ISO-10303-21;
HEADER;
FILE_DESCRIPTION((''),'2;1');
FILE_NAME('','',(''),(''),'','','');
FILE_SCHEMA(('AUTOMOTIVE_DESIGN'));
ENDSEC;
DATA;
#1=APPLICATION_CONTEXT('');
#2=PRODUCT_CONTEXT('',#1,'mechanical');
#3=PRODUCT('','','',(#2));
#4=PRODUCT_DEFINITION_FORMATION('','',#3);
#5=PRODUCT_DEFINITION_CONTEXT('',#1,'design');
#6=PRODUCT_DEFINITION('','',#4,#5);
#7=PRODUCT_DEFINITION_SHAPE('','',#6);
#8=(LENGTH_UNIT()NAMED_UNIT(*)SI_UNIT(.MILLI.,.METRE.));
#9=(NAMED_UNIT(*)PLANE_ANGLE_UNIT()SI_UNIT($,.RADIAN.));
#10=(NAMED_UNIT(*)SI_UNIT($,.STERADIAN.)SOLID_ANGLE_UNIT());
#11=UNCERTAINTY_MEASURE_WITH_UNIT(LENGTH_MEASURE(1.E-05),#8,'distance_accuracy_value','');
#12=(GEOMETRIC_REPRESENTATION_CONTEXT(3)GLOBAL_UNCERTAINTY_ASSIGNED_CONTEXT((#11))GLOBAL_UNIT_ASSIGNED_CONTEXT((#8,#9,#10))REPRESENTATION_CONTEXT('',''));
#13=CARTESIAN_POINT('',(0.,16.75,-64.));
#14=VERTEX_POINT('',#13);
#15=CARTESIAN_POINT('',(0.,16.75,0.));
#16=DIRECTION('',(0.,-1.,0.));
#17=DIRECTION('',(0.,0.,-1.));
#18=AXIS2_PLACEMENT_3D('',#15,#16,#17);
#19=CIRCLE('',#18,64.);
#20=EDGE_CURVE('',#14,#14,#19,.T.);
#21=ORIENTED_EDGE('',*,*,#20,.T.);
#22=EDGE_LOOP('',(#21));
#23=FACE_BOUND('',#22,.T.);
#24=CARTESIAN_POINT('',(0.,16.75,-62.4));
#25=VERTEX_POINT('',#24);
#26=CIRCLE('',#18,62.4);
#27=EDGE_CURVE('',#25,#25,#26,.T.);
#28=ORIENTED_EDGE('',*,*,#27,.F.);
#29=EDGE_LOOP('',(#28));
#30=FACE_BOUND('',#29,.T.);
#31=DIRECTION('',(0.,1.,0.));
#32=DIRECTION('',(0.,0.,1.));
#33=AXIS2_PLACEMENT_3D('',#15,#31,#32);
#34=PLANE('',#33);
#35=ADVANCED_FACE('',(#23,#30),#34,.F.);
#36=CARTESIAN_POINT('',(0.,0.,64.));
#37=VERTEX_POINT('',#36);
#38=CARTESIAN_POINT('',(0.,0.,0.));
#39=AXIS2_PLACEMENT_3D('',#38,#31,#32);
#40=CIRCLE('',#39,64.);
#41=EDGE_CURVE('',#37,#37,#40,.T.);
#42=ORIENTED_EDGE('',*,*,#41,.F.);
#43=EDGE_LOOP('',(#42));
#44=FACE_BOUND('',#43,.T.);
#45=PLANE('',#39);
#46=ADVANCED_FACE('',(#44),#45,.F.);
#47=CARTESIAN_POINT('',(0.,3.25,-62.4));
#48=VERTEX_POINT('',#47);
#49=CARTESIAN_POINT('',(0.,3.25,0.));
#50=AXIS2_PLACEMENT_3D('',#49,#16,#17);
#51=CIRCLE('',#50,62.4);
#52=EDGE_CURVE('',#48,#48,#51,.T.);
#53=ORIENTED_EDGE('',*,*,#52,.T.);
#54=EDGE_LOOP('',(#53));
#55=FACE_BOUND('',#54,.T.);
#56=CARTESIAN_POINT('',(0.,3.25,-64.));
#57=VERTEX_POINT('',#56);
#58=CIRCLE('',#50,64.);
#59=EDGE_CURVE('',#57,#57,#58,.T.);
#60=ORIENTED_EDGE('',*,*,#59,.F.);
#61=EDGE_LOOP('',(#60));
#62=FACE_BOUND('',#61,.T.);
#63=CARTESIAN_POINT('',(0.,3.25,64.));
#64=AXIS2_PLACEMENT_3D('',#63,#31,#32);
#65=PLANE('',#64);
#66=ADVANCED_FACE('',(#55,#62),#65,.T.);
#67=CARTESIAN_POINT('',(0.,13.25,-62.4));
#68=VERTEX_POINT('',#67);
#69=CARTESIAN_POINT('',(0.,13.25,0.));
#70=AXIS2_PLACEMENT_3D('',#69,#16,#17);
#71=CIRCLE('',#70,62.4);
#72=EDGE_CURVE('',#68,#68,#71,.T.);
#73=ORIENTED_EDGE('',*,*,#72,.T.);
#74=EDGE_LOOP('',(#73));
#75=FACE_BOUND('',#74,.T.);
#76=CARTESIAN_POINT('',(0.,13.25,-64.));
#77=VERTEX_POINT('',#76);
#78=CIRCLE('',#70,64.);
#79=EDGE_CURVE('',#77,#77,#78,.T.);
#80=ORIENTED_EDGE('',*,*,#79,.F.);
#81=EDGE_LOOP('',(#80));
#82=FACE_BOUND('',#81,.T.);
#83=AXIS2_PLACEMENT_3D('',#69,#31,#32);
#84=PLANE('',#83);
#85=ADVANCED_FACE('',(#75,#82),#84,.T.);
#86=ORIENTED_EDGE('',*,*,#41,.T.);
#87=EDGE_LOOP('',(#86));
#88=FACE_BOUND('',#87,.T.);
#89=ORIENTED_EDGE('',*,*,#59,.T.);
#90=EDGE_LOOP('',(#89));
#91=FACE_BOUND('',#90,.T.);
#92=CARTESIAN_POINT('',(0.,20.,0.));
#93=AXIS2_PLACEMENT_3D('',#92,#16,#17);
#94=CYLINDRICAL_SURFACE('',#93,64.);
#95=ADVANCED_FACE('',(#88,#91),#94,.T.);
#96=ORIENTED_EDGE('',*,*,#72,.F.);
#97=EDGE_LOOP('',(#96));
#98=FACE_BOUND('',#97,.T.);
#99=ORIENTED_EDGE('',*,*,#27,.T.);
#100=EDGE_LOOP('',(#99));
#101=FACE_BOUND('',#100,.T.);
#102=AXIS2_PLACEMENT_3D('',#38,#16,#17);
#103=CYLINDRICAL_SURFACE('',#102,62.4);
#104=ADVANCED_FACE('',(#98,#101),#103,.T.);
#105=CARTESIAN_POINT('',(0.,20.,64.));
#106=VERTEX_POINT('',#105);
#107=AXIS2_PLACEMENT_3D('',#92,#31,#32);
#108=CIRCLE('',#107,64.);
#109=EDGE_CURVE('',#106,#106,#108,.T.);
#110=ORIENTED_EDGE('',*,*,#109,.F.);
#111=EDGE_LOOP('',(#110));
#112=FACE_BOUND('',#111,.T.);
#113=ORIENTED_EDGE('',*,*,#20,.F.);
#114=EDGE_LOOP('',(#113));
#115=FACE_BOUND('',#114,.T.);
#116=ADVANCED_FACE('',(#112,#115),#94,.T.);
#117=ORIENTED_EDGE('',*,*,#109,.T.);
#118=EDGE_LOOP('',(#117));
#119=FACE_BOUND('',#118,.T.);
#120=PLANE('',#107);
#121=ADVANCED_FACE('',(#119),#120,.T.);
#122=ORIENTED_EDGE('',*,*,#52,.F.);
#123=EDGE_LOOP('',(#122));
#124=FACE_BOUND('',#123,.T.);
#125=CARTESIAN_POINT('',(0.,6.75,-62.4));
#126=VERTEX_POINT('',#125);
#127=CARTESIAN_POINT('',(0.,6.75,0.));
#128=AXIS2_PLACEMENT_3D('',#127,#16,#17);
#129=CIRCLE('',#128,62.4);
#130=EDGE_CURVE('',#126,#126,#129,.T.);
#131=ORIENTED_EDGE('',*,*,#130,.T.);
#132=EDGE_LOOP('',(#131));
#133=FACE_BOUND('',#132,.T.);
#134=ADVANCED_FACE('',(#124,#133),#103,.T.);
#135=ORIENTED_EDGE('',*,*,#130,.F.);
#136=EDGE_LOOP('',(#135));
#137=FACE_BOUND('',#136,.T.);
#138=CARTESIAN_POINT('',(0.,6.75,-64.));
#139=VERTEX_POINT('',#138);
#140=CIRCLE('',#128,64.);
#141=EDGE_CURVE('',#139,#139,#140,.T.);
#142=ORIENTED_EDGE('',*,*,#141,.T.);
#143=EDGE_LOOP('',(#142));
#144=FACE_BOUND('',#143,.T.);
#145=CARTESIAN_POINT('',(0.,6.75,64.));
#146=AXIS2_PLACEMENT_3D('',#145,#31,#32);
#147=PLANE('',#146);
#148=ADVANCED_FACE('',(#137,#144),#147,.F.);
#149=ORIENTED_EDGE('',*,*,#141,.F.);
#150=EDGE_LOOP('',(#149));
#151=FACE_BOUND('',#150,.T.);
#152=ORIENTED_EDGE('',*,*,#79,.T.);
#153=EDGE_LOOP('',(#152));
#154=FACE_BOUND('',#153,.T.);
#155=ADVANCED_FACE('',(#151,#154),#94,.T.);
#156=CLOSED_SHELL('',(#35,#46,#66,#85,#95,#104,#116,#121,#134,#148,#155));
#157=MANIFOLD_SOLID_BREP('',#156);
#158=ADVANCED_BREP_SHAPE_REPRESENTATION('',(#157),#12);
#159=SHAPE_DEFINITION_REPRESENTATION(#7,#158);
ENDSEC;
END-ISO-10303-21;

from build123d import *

# Parameters (mm, degrees)
SZKIC1_R                    = 64
DODANIE_WYCI_GNI_CIE1_DEPTH = 20
SZKIC3_W                    = 1.6
SZKIC3_H                    = 3.5


with BuildPart() as part:
    # Szkic1 → Dodanie-wyciągnięcie1 (new body)
    with BuildSketch(Plane(origin=(0, 0, 0), x_dir=(1, 0, 0), z_dir=(0, 1, 0))):
        with Locations(Location((0, 0, 0), (0, 0, 270))):
            Circle(SZKIC1_R)
    extrude(amount=DODANIE_WYCI_GNI_CIE1_DEPTH)

    # Szkic3 → Wycięcie-obrót1 (revolve, cut)
    with BuildSketch(Plane(origin=(0, 0, 0), x_dir=(0, 0, -1), z_dir=(1, 0, 0)), mode=Mode.PRIVATE) as wyci_cie_obr_t1_sk:
        with Locations((-63.2, 15)):
            Rectangle(SZKIC3_W, SZKIC3_H)
        with Locations((-63.2, 5)):
            Rectangle(SZKIC3_W, SZKIC3_H)
    revolve(wyci_cie_obr_t1_sk.sketch.rotate(Axis((0, 0, 0), (0, 1, 0)), 180), axis=Axis((0, 0, 0), (0, 1, 0)), mode=Mode.SUBTRACT)


solid = part.part
